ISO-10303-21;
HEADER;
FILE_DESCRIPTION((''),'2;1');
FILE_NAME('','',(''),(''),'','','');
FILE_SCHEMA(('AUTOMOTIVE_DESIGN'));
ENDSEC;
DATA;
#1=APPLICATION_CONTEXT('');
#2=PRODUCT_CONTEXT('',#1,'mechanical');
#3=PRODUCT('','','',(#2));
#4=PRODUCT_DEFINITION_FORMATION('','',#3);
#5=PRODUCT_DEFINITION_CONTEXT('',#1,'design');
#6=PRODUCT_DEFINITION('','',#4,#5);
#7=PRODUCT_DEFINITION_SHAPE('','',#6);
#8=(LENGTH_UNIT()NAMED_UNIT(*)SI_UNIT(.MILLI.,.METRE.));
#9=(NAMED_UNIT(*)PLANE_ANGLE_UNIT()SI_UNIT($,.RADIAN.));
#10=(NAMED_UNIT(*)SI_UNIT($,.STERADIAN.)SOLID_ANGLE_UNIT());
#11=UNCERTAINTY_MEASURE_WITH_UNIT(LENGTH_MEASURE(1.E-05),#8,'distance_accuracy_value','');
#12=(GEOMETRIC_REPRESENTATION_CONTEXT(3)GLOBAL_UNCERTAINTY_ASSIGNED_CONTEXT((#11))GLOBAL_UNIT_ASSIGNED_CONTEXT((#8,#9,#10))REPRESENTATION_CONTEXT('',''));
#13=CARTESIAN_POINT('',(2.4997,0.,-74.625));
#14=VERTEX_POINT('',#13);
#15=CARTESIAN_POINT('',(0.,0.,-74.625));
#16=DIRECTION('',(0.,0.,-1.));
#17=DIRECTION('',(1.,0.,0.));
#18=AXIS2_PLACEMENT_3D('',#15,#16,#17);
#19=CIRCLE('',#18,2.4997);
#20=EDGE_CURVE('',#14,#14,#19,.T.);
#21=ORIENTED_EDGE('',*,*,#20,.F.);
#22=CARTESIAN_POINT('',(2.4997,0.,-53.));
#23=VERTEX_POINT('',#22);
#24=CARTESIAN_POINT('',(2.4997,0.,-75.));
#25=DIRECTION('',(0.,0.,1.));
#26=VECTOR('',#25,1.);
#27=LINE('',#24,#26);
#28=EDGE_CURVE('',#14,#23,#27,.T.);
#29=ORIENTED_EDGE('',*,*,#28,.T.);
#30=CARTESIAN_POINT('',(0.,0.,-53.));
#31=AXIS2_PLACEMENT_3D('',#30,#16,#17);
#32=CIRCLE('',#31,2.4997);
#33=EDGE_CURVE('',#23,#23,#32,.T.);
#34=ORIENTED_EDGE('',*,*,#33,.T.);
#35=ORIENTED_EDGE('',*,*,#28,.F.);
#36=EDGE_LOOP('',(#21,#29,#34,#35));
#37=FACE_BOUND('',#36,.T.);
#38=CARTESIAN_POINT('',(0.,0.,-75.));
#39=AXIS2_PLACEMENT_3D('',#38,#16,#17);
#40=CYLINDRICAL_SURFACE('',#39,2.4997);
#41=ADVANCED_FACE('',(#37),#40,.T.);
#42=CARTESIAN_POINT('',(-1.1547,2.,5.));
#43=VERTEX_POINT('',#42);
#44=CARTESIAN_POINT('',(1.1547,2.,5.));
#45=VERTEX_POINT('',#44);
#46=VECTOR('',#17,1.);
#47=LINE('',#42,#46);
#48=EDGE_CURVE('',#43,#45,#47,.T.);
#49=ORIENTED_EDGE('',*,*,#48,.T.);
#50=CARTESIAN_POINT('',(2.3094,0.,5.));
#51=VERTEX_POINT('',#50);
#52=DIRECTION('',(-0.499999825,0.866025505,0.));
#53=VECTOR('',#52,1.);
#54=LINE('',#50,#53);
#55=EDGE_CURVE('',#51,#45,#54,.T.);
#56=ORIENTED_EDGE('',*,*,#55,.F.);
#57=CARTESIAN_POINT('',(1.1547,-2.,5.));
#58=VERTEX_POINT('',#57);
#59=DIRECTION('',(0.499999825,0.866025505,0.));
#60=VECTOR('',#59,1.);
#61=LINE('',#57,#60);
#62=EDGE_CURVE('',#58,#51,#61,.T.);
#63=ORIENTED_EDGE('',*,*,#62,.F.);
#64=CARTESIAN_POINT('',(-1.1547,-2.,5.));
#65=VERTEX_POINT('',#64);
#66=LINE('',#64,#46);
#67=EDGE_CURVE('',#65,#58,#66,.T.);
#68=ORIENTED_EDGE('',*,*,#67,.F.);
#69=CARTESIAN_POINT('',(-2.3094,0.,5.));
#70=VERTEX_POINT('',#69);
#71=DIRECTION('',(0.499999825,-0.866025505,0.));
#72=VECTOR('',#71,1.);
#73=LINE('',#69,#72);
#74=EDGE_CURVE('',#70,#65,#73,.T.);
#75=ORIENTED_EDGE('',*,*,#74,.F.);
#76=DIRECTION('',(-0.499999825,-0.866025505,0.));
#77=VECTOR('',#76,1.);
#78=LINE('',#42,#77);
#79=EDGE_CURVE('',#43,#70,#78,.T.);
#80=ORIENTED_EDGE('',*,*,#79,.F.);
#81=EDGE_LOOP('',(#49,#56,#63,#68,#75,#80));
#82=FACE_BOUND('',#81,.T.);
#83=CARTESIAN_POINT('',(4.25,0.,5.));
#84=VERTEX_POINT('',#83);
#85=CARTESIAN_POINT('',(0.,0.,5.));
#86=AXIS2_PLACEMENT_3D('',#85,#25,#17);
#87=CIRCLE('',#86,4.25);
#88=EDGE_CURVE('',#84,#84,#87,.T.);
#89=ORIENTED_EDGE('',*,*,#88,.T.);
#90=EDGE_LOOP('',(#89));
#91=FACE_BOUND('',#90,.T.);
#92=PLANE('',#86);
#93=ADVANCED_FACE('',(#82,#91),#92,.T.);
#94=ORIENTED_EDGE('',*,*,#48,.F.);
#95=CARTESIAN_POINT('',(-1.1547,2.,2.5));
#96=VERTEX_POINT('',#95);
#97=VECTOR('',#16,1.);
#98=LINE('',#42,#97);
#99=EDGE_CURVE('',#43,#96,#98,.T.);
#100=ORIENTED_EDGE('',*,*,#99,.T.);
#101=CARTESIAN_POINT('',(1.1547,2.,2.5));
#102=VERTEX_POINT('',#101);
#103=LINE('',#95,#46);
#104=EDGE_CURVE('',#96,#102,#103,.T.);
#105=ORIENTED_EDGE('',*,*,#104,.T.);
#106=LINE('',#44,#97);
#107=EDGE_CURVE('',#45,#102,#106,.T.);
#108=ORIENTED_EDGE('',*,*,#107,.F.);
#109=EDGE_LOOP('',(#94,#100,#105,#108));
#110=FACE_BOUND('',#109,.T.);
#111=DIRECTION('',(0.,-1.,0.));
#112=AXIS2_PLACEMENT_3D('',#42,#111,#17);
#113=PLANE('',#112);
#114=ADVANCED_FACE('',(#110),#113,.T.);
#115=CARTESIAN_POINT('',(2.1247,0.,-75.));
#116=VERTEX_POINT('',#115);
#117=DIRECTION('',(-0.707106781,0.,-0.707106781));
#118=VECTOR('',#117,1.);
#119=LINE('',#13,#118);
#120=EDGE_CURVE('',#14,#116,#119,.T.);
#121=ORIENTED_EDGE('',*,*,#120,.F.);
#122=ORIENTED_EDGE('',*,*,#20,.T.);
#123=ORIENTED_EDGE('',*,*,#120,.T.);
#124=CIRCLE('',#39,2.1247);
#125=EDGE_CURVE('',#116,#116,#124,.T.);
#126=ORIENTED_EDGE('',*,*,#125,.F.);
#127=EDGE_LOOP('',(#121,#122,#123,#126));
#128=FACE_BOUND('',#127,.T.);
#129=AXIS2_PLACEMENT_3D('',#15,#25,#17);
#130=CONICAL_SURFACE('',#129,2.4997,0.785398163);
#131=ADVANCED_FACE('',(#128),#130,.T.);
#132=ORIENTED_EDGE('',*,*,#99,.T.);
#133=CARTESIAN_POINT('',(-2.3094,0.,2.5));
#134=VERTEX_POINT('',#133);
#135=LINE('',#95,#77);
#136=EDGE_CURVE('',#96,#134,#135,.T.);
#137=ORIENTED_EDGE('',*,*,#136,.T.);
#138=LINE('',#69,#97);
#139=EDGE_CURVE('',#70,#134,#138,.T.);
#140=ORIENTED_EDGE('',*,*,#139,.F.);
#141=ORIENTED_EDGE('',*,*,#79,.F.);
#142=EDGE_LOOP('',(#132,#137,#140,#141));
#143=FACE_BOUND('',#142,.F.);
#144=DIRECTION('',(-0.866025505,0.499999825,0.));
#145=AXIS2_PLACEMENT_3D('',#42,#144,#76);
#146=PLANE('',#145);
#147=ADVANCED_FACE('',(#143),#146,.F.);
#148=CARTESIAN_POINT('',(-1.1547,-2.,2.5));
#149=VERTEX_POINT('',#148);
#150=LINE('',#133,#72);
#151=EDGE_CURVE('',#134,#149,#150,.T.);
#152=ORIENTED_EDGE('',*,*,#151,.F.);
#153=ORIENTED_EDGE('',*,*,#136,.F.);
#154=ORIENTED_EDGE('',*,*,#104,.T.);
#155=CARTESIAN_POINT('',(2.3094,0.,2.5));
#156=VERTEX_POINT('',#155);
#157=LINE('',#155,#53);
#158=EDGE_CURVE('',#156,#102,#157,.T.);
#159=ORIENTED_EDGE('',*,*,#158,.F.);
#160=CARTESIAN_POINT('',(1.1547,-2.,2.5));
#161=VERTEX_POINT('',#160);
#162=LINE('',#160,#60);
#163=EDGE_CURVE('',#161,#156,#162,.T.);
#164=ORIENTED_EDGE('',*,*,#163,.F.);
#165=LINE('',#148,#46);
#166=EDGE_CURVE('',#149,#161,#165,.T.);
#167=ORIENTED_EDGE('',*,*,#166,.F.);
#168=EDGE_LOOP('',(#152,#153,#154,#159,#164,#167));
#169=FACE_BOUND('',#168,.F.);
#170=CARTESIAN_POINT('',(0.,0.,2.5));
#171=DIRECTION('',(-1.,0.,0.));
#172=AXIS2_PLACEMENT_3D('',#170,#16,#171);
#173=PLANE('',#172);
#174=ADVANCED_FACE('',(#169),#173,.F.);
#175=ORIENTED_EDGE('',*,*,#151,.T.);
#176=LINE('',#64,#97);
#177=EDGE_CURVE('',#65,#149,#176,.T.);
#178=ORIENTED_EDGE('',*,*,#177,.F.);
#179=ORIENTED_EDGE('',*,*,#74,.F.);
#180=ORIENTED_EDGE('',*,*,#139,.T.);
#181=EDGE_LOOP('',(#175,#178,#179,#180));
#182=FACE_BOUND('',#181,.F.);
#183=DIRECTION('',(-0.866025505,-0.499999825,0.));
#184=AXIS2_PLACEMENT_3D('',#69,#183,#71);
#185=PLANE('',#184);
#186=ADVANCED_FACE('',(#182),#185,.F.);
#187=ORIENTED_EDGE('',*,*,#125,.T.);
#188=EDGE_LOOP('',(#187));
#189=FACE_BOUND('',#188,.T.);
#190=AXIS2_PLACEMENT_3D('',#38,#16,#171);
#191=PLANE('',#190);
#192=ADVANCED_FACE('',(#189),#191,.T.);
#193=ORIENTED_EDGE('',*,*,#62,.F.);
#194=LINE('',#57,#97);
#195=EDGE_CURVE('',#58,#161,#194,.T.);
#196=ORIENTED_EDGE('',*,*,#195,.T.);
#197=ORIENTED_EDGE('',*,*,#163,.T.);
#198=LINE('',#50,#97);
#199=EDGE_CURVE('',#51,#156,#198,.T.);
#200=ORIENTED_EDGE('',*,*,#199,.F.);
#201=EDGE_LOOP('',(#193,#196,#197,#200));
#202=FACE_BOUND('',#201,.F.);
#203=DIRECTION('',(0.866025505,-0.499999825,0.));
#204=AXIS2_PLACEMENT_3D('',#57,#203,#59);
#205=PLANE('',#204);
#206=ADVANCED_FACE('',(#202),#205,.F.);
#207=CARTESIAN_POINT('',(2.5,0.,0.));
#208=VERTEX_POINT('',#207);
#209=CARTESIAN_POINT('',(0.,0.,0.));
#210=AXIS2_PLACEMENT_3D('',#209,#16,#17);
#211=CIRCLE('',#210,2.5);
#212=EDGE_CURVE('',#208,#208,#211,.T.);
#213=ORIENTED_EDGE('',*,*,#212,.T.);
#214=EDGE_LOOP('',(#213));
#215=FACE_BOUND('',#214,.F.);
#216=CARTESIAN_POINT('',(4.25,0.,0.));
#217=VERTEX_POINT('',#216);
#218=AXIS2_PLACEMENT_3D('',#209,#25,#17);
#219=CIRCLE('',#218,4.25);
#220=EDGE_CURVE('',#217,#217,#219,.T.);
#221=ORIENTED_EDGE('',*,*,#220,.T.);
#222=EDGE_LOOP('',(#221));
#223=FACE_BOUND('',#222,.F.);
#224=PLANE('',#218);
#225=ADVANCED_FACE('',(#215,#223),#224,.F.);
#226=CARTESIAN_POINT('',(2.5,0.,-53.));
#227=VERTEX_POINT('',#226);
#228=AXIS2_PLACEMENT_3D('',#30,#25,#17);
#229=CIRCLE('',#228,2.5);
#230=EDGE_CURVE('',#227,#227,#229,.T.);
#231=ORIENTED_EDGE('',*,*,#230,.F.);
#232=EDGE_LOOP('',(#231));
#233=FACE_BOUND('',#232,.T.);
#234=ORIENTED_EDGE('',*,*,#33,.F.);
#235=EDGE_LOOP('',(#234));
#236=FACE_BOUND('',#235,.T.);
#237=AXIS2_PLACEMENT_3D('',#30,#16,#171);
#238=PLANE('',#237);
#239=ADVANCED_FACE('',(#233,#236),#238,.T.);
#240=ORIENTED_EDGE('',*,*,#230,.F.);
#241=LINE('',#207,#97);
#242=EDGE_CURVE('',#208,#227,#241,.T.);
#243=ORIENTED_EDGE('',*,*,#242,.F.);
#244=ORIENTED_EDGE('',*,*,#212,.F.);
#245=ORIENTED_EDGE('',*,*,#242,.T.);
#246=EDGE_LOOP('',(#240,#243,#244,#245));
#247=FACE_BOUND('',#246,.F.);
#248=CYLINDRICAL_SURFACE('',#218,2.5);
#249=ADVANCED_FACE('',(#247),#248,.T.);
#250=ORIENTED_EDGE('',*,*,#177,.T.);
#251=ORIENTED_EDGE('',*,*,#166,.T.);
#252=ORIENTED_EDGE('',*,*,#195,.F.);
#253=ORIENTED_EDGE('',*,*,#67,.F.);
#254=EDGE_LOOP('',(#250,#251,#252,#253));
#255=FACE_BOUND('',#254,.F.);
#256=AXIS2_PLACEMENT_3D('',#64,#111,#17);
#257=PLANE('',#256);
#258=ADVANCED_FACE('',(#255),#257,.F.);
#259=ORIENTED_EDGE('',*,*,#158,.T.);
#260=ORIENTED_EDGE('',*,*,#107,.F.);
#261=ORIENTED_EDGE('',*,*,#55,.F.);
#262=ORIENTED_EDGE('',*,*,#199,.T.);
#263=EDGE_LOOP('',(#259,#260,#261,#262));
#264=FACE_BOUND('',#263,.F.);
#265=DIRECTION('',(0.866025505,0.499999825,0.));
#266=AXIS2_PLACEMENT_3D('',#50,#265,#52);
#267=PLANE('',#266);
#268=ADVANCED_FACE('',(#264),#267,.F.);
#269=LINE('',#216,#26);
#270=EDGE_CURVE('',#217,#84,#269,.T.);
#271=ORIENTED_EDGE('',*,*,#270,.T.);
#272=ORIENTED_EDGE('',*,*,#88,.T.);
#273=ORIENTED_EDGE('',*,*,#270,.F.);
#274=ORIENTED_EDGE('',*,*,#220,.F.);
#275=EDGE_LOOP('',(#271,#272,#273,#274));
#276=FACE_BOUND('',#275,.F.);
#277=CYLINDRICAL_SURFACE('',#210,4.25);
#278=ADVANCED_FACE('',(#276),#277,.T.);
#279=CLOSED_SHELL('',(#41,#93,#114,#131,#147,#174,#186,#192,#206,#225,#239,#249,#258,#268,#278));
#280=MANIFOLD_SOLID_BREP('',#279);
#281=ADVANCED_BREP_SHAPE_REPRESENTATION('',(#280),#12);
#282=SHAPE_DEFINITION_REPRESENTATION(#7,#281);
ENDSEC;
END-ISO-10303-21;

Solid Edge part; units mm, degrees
sketch "Sketch1" plane through (0, 0, 0) normal (0, 0, 1) x (1, 0, 0)
  circle A0 centre (0, 0) radius 4.25
  dimension "D1" = 8.5
extrude "Protrusion1" add sketch "Sketch1" along normal blind 5
sketch "Sketch2" plane through (0, 0, 0) normal (0, 0, -1) x (1, 0, 0)
  circle A0 centre (0, 0) radius 2.5
extrude "Protrusion2" add sketch "Sketch2" along normal blind 75
sketch "Sketch3" plane through (0, 0, -75) normal (0, 0, -1) x (1, 0, 0)
  circle A0 centre (0, 0) radius 2.4997
extrude "Cutout1" cut sketch "Sketch3" against normal blind 22 flip side to cut
chamfer "Chamfer_1" distance 0.375 angle 45 1 edges at (-2.4997, 0, -75)
sketch "Sketch4" plane through (0, 0, 5) normal (0, 0, 1) x (1, 0, 0)
  line L0 (-1.1547, 2) -> (1.1547, 2)
  line L1 (2.3094, 0) -> (1.1547, 2)
  line L2 (1.1547, -2) -> (2.3094, 0)
  line L3 (-1.1547, -2) -> (1.1547, -2)
  line L4 (-2.3094, 0) -> (-1.1547, -2)
  line L5 (-1.1547, 2) -> (-2.3094, 0)
  dimension "D1" = 4
extrude "Cutout2" cut sketch "Sketch4" against normal blind 2.5
properties part number "185705" material "Stainless Steel, 304"
